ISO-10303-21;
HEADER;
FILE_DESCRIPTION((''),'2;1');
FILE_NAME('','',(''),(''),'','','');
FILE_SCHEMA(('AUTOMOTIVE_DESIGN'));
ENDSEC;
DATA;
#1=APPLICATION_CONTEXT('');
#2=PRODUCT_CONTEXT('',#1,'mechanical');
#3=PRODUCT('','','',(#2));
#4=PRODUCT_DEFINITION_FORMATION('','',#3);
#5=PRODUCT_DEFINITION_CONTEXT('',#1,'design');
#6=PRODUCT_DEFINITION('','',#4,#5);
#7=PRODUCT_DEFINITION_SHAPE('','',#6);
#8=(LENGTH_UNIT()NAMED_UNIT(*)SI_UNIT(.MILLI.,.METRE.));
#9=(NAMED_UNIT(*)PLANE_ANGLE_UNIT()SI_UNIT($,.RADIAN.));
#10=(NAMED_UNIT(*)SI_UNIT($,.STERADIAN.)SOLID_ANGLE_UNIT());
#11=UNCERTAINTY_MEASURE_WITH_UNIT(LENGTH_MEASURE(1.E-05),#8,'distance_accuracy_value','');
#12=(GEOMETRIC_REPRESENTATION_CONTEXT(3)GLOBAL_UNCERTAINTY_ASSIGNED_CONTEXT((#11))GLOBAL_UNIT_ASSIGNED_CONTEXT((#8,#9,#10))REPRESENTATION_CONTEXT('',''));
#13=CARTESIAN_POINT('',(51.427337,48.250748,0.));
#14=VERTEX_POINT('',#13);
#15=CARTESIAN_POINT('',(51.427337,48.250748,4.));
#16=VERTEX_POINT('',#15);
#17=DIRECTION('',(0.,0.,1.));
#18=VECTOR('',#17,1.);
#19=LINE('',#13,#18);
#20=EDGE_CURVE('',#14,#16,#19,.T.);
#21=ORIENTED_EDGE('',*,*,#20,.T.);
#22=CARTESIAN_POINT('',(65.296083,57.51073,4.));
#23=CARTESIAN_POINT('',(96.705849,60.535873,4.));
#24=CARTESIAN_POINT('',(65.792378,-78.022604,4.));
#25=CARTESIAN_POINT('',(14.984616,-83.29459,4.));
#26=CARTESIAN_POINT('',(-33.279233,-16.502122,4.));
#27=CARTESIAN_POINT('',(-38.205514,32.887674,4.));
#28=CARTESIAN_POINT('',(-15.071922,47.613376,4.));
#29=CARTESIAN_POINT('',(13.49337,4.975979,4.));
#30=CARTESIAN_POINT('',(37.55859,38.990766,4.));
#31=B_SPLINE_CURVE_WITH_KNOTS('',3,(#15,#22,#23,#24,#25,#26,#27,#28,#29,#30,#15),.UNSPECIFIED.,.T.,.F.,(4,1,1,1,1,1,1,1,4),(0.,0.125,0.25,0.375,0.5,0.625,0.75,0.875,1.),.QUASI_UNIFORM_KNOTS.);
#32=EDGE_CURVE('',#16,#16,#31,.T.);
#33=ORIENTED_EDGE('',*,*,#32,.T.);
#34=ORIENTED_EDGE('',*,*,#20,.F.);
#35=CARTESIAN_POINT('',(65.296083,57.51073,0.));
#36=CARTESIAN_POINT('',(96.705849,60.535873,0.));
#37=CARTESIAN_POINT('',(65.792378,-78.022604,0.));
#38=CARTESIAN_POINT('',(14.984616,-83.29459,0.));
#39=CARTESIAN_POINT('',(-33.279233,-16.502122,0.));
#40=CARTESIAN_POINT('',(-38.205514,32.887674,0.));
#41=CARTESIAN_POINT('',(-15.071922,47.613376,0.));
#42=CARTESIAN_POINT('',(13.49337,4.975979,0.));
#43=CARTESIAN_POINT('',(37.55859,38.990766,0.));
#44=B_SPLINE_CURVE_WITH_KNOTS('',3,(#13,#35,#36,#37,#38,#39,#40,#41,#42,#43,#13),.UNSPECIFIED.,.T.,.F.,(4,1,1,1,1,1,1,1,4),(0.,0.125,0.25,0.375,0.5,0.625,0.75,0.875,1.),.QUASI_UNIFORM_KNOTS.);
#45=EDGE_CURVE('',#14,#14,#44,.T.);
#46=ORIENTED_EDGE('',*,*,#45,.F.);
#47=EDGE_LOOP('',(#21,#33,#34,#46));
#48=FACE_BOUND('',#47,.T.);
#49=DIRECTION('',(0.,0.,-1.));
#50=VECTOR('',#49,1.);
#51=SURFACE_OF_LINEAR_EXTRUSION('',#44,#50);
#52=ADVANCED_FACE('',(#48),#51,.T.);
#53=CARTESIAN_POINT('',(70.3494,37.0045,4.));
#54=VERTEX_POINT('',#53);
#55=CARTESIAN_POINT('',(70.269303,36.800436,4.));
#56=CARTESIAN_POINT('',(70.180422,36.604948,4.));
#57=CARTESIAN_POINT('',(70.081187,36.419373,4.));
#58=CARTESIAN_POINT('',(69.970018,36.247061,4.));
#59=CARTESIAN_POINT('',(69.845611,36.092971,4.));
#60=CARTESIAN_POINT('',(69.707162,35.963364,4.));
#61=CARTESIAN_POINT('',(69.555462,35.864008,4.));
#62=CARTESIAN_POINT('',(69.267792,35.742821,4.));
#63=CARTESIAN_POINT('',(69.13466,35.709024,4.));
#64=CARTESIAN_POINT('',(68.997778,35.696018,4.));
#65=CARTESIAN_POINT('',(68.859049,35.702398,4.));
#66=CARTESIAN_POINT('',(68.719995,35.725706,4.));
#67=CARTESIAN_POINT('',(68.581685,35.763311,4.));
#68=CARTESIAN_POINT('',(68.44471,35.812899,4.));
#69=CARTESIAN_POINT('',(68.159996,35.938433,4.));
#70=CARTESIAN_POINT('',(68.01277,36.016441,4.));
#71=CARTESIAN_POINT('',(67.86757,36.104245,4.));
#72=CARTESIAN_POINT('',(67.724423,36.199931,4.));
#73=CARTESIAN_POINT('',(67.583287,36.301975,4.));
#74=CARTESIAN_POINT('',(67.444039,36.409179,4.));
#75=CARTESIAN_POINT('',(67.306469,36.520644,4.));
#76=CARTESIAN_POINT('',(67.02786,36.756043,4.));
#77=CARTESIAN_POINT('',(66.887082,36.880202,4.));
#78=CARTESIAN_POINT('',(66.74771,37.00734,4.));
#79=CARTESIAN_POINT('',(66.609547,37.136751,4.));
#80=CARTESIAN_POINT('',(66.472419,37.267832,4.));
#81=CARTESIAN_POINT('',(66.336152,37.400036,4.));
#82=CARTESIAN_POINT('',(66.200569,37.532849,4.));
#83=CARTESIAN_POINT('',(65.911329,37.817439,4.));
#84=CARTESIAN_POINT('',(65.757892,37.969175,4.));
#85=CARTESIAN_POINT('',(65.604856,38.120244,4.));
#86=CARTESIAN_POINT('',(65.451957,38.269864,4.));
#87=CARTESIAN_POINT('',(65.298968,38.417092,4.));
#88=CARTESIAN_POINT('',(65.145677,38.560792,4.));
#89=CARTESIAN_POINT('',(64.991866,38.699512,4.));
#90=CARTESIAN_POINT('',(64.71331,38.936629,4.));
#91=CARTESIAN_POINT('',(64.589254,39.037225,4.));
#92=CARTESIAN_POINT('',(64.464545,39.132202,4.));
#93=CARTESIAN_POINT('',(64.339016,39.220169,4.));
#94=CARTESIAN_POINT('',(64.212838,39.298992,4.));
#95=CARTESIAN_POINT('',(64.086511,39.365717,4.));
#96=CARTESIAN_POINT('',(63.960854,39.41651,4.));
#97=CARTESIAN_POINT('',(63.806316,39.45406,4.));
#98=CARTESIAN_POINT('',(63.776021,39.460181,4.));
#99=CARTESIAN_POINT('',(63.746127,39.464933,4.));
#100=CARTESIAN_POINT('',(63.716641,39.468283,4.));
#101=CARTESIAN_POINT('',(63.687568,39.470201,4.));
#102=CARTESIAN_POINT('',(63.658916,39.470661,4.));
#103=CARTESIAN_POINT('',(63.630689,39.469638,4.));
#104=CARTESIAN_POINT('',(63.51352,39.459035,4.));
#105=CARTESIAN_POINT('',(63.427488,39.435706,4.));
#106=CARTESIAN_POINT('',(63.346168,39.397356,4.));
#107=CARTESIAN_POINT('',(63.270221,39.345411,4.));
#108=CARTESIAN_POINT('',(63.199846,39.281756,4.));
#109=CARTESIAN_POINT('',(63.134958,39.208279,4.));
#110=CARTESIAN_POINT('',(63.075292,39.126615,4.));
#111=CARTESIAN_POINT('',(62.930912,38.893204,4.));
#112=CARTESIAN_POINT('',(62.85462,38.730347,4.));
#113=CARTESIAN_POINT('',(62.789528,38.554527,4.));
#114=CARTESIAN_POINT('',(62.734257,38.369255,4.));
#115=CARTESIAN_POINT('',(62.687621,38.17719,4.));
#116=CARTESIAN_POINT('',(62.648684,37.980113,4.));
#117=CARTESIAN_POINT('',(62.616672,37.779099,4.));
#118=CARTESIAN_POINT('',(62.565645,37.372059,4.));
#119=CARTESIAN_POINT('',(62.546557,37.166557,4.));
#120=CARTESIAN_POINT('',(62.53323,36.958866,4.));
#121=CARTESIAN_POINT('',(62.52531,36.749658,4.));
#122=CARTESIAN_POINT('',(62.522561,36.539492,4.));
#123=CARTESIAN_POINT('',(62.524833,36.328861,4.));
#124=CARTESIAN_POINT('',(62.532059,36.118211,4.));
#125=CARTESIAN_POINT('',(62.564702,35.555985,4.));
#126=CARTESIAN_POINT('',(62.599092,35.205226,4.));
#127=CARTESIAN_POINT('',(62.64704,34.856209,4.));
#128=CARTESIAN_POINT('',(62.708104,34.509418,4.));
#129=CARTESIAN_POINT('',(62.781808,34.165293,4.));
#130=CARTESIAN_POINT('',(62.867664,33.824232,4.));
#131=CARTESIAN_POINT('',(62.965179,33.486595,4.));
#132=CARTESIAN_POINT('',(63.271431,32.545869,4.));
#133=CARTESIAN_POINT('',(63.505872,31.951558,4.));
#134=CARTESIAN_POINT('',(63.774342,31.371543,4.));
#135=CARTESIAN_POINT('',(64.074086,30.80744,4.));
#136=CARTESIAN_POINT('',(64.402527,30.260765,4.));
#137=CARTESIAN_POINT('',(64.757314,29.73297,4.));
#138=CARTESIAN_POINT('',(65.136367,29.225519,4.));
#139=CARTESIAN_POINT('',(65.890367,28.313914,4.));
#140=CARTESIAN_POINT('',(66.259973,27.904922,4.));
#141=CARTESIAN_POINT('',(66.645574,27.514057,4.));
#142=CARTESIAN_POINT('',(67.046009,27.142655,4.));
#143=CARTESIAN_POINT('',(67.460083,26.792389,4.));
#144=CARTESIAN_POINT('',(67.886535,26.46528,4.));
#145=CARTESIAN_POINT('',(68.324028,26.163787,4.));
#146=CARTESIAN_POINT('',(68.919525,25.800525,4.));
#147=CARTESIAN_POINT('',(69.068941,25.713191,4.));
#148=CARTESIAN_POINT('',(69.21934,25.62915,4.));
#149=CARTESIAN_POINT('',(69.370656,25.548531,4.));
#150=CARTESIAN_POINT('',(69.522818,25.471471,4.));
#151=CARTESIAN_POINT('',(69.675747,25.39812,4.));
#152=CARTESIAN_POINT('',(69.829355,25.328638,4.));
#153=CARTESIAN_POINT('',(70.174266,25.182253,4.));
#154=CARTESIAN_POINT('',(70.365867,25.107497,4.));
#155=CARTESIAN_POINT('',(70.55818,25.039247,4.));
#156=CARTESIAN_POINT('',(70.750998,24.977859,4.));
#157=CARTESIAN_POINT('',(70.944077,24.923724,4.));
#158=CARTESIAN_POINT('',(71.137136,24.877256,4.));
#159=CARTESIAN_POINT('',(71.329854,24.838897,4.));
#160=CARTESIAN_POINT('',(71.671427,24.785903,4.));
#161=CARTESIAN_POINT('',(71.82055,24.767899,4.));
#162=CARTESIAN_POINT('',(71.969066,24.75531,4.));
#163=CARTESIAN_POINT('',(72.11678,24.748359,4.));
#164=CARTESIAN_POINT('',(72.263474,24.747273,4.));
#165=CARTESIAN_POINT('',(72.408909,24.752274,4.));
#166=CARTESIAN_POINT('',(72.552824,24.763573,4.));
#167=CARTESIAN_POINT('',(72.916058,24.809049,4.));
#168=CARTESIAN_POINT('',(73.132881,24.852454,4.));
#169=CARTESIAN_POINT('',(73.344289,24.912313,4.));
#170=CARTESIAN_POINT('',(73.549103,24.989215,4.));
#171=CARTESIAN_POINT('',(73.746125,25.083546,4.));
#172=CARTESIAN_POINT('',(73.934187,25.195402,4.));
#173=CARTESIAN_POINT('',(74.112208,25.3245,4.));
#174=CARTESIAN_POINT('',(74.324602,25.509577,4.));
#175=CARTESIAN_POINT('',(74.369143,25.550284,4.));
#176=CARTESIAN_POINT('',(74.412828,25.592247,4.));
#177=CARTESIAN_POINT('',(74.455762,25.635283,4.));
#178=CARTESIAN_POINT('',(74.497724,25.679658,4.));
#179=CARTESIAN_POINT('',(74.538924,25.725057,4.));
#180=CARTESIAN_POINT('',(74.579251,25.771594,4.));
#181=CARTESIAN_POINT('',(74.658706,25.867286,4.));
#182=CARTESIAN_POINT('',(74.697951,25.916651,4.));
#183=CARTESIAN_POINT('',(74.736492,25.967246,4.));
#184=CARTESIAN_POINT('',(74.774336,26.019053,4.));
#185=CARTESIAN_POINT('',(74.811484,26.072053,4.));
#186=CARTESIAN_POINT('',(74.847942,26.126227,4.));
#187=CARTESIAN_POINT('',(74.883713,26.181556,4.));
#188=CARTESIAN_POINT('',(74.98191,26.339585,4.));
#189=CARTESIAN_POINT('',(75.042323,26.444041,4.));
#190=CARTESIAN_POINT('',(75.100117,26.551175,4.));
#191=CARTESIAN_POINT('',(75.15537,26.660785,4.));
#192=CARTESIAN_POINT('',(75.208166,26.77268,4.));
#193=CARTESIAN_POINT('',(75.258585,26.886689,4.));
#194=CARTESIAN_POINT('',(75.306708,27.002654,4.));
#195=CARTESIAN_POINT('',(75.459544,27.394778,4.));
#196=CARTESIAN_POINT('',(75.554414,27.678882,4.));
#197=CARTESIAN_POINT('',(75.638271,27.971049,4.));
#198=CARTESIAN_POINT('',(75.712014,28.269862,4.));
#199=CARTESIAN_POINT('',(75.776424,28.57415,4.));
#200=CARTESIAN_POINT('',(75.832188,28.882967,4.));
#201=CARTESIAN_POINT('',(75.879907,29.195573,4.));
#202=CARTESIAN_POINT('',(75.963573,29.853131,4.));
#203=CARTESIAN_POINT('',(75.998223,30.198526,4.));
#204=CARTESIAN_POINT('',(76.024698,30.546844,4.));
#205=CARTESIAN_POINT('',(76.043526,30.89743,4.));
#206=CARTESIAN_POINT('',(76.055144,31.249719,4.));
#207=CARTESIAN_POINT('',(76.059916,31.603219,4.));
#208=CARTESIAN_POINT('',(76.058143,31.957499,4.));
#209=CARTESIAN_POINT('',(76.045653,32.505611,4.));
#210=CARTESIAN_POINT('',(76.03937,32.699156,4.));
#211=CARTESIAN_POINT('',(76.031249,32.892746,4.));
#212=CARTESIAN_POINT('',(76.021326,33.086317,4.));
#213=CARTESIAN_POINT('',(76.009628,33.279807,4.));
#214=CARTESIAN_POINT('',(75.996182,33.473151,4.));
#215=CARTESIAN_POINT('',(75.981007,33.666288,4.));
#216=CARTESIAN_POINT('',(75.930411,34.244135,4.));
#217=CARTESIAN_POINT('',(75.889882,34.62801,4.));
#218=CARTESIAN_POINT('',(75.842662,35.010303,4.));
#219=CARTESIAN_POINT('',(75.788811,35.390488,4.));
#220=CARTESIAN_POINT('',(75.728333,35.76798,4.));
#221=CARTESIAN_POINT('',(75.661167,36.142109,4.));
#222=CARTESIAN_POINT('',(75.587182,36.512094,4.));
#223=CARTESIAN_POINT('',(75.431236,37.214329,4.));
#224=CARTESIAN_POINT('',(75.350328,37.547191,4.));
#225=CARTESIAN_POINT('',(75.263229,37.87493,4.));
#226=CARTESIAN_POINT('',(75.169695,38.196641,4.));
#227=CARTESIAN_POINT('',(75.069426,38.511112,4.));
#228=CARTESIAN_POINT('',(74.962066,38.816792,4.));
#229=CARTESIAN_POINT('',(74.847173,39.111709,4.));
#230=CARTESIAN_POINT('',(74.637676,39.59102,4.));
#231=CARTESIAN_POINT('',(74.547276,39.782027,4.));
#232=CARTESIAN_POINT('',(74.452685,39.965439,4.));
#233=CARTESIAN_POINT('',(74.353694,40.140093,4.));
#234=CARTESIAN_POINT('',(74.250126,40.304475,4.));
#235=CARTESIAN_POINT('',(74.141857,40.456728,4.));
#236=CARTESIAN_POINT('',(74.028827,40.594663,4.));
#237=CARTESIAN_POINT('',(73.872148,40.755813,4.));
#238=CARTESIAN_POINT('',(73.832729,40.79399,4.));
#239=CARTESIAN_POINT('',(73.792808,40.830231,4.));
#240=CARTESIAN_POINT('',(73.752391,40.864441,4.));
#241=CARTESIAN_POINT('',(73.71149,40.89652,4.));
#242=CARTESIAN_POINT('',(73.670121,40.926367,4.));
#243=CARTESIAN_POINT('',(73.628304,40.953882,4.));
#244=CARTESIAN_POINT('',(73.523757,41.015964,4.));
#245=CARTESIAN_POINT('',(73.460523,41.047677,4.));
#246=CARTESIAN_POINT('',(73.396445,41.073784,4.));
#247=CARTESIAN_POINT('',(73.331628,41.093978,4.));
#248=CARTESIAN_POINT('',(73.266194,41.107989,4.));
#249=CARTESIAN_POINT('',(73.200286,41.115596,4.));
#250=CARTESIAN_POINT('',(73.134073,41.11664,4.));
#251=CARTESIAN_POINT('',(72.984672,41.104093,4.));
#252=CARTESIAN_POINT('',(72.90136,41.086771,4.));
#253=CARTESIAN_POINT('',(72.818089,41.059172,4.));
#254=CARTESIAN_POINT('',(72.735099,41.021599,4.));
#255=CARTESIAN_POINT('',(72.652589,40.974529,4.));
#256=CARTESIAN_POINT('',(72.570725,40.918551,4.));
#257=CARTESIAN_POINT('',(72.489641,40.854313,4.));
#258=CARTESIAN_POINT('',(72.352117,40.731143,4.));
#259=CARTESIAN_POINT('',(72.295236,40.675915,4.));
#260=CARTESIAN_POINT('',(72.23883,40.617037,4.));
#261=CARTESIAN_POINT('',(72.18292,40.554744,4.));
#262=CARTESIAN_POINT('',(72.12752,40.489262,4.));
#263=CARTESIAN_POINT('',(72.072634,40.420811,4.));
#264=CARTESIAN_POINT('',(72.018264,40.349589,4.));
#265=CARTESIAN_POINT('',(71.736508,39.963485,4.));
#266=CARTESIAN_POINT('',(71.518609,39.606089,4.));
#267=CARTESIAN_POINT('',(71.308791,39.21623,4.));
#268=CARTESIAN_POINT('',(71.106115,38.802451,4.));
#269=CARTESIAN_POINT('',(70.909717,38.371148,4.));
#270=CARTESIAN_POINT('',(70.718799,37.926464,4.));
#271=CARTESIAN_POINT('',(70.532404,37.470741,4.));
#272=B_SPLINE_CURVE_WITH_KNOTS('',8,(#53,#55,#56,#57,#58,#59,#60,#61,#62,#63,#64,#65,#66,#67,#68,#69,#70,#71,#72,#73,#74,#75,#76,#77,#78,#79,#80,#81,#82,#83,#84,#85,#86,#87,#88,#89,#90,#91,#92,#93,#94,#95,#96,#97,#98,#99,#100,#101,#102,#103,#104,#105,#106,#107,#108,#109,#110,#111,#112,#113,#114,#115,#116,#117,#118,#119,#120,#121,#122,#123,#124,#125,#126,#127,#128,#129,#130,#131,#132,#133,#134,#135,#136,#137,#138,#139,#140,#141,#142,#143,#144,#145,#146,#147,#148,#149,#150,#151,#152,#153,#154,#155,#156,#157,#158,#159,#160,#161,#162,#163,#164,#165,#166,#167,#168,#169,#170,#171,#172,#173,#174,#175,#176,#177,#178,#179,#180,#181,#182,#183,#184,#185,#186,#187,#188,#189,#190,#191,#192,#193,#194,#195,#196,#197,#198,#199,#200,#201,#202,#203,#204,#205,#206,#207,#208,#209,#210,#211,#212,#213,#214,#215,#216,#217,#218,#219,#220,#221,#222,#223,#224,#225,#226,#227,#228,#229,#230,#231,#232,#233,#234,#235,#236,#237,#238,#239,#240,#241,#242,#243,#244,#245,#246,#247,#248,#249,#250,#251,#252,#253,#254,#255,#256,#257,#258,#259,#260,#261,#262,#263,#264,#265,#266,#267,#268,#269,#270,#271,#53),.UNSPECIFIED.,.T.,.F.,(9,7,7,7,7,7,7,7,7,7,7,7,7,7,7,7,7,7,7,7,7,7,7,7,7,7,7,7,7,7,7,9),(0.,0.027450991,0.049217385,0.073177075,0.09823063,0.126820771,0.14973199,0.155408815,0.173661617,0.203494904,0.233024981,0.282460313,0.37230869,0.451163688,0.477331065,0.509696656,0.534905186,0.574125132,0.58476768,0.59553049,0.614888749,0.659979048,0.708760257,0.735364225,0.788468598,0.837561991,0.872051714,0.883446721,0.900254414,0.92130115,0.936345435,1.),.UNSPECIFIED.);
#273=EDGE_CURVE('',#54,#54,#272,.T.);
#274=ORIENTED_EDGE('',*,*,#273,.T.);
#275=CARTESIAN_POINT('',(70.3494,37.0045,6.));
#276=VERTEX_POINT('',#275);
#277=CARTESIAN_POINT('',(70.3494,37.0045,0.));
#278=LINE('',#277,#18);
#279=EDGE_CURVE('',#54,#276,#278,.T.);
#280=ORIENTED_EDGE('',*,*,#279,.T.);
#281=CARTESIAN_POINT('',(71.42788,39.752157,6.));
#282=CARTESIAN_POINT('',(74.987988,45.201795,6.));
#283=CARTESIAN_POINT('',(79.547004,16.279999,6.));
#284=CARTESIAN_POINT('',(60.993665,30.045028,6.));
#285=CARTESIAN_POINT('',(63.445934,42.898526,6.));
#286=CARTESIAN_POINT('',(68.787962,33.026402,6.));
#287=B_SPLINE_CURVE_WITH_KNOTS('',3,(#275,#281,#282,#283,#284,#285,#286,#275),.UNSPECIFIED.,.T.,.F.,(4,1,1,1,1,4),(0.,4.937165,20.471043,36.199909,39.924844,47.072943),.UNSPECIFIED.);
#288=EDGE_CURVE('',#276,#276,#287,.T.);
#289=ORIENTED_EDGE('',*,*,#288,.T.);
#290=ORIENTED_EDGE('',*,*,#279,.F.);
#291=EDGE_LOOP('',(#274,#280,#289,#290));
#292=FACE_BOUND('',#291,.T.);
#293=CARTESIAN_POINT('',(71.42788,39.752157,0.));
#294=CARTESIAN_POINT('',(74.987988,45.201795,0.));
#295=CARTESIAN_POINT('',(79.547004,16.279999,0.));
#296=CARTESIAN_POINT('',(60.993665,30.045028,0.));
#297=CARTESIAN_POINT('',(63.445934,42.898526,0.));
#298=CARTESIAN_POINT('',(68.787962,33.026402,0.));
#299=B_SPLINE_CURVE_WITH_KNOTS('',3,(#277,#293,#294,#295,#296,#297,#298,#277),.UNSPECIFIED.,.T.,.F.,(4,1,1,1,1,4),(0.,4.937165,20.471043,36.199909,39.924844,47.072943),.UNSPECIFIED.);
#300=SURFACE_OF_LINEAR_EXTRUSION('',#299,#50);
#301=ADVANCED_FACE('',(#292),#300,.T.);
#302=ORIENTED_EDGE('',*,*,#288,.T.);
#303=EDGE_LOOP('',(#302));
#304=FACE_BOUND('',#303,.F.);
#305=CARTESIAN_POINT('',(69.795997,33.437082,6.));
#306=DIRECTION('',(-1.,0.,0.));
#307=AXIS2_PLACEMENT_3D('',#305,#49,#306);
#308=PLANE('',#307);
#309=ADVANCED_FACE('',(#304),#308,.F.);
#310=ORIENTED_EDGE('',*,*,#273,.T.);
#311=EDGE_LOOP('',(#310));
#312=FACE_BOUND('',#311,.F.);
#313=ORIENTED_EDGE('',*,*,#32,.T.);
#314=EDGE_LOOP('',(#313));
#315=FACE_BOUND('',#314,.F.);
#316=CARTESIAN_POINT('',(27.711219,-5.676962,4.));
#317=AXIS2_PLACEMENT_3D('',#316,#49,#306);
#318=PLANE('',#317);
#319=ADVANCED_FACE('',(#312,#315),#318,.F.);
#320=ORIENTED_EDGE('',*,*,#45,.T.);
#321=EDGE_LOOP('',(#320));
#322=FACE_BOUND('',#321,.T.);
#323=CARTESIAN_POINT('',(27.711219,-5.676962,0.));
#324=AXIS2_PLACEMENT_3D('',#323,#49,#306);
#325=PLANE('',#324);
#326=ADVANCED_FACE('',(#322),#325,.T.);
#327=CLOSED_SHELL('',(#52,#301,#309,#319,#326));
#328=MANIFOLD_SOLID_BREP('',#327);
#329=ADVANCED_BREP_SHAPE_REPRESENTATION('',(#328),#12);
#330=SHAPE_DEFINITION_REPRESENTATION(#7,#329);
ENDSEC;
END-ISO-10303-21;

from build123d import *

# Parameters (mm, degrees)
EXTRUDE004_DEPTH = 4
EXTRUDE003_DEPTH = 6


with BuildPart() as heart:
    # Sketch002 → Extrude004 (new body)
    with BuildSketch(Plane.XY):
        with BuildLine():
            add(Edge.make_bspline(
                [(51.427337, 48.250748), (65.296083, 57.51073), (96.705849, 60.535873), (65.792378, -78.022604), (14.984616, -83.29459), (-33.279233, -16.502122), (-38.205514, 32.887674), (-15.071922, 47.613376), (13.49337, 4.975979), (37.55859, 38.990766), (51.427337, 48.250748)],
                knots=[0, 0, 0, 0, 0.125, 0.25, 0.375, 0.5, 0.625, 0.75, 0.875, 1, 1, 1, 1], degree=3))
        make_face()
    extrude(amount=EXTRUDE004_DEPTH)


with BuildPart() as base:
    # Sketch001 → Extrude003 (new body)
    with BuildSketch(Plane(origin=(-5, 0, 0), x_dir=(1, 0, 0), z_dir=(0, 0, 1))):
        with BuildLine():
            add(Edge.make_bspline(
                [(75.3494, 37.0045), (76.42788, 39.752157), (79.987988, 45.201795), (84.547004, 16.279999), (65.993665, 30.045028), (68.445934, 42.898526), (73.787962, 33.026402), (75.3494, 37.0045)],
                knots=[0, 0, 0, 0, 4.937165, 20.471043, 36.199909, 39.924844, 47.072943, 47.072943, 47.072943, 47.072943], degree=3))
        make_face()
    extrude(amount=EXTRUDE003_DEPTH)

    # Fusion001: union Heart
    add(heart.part)


solid = base.part
